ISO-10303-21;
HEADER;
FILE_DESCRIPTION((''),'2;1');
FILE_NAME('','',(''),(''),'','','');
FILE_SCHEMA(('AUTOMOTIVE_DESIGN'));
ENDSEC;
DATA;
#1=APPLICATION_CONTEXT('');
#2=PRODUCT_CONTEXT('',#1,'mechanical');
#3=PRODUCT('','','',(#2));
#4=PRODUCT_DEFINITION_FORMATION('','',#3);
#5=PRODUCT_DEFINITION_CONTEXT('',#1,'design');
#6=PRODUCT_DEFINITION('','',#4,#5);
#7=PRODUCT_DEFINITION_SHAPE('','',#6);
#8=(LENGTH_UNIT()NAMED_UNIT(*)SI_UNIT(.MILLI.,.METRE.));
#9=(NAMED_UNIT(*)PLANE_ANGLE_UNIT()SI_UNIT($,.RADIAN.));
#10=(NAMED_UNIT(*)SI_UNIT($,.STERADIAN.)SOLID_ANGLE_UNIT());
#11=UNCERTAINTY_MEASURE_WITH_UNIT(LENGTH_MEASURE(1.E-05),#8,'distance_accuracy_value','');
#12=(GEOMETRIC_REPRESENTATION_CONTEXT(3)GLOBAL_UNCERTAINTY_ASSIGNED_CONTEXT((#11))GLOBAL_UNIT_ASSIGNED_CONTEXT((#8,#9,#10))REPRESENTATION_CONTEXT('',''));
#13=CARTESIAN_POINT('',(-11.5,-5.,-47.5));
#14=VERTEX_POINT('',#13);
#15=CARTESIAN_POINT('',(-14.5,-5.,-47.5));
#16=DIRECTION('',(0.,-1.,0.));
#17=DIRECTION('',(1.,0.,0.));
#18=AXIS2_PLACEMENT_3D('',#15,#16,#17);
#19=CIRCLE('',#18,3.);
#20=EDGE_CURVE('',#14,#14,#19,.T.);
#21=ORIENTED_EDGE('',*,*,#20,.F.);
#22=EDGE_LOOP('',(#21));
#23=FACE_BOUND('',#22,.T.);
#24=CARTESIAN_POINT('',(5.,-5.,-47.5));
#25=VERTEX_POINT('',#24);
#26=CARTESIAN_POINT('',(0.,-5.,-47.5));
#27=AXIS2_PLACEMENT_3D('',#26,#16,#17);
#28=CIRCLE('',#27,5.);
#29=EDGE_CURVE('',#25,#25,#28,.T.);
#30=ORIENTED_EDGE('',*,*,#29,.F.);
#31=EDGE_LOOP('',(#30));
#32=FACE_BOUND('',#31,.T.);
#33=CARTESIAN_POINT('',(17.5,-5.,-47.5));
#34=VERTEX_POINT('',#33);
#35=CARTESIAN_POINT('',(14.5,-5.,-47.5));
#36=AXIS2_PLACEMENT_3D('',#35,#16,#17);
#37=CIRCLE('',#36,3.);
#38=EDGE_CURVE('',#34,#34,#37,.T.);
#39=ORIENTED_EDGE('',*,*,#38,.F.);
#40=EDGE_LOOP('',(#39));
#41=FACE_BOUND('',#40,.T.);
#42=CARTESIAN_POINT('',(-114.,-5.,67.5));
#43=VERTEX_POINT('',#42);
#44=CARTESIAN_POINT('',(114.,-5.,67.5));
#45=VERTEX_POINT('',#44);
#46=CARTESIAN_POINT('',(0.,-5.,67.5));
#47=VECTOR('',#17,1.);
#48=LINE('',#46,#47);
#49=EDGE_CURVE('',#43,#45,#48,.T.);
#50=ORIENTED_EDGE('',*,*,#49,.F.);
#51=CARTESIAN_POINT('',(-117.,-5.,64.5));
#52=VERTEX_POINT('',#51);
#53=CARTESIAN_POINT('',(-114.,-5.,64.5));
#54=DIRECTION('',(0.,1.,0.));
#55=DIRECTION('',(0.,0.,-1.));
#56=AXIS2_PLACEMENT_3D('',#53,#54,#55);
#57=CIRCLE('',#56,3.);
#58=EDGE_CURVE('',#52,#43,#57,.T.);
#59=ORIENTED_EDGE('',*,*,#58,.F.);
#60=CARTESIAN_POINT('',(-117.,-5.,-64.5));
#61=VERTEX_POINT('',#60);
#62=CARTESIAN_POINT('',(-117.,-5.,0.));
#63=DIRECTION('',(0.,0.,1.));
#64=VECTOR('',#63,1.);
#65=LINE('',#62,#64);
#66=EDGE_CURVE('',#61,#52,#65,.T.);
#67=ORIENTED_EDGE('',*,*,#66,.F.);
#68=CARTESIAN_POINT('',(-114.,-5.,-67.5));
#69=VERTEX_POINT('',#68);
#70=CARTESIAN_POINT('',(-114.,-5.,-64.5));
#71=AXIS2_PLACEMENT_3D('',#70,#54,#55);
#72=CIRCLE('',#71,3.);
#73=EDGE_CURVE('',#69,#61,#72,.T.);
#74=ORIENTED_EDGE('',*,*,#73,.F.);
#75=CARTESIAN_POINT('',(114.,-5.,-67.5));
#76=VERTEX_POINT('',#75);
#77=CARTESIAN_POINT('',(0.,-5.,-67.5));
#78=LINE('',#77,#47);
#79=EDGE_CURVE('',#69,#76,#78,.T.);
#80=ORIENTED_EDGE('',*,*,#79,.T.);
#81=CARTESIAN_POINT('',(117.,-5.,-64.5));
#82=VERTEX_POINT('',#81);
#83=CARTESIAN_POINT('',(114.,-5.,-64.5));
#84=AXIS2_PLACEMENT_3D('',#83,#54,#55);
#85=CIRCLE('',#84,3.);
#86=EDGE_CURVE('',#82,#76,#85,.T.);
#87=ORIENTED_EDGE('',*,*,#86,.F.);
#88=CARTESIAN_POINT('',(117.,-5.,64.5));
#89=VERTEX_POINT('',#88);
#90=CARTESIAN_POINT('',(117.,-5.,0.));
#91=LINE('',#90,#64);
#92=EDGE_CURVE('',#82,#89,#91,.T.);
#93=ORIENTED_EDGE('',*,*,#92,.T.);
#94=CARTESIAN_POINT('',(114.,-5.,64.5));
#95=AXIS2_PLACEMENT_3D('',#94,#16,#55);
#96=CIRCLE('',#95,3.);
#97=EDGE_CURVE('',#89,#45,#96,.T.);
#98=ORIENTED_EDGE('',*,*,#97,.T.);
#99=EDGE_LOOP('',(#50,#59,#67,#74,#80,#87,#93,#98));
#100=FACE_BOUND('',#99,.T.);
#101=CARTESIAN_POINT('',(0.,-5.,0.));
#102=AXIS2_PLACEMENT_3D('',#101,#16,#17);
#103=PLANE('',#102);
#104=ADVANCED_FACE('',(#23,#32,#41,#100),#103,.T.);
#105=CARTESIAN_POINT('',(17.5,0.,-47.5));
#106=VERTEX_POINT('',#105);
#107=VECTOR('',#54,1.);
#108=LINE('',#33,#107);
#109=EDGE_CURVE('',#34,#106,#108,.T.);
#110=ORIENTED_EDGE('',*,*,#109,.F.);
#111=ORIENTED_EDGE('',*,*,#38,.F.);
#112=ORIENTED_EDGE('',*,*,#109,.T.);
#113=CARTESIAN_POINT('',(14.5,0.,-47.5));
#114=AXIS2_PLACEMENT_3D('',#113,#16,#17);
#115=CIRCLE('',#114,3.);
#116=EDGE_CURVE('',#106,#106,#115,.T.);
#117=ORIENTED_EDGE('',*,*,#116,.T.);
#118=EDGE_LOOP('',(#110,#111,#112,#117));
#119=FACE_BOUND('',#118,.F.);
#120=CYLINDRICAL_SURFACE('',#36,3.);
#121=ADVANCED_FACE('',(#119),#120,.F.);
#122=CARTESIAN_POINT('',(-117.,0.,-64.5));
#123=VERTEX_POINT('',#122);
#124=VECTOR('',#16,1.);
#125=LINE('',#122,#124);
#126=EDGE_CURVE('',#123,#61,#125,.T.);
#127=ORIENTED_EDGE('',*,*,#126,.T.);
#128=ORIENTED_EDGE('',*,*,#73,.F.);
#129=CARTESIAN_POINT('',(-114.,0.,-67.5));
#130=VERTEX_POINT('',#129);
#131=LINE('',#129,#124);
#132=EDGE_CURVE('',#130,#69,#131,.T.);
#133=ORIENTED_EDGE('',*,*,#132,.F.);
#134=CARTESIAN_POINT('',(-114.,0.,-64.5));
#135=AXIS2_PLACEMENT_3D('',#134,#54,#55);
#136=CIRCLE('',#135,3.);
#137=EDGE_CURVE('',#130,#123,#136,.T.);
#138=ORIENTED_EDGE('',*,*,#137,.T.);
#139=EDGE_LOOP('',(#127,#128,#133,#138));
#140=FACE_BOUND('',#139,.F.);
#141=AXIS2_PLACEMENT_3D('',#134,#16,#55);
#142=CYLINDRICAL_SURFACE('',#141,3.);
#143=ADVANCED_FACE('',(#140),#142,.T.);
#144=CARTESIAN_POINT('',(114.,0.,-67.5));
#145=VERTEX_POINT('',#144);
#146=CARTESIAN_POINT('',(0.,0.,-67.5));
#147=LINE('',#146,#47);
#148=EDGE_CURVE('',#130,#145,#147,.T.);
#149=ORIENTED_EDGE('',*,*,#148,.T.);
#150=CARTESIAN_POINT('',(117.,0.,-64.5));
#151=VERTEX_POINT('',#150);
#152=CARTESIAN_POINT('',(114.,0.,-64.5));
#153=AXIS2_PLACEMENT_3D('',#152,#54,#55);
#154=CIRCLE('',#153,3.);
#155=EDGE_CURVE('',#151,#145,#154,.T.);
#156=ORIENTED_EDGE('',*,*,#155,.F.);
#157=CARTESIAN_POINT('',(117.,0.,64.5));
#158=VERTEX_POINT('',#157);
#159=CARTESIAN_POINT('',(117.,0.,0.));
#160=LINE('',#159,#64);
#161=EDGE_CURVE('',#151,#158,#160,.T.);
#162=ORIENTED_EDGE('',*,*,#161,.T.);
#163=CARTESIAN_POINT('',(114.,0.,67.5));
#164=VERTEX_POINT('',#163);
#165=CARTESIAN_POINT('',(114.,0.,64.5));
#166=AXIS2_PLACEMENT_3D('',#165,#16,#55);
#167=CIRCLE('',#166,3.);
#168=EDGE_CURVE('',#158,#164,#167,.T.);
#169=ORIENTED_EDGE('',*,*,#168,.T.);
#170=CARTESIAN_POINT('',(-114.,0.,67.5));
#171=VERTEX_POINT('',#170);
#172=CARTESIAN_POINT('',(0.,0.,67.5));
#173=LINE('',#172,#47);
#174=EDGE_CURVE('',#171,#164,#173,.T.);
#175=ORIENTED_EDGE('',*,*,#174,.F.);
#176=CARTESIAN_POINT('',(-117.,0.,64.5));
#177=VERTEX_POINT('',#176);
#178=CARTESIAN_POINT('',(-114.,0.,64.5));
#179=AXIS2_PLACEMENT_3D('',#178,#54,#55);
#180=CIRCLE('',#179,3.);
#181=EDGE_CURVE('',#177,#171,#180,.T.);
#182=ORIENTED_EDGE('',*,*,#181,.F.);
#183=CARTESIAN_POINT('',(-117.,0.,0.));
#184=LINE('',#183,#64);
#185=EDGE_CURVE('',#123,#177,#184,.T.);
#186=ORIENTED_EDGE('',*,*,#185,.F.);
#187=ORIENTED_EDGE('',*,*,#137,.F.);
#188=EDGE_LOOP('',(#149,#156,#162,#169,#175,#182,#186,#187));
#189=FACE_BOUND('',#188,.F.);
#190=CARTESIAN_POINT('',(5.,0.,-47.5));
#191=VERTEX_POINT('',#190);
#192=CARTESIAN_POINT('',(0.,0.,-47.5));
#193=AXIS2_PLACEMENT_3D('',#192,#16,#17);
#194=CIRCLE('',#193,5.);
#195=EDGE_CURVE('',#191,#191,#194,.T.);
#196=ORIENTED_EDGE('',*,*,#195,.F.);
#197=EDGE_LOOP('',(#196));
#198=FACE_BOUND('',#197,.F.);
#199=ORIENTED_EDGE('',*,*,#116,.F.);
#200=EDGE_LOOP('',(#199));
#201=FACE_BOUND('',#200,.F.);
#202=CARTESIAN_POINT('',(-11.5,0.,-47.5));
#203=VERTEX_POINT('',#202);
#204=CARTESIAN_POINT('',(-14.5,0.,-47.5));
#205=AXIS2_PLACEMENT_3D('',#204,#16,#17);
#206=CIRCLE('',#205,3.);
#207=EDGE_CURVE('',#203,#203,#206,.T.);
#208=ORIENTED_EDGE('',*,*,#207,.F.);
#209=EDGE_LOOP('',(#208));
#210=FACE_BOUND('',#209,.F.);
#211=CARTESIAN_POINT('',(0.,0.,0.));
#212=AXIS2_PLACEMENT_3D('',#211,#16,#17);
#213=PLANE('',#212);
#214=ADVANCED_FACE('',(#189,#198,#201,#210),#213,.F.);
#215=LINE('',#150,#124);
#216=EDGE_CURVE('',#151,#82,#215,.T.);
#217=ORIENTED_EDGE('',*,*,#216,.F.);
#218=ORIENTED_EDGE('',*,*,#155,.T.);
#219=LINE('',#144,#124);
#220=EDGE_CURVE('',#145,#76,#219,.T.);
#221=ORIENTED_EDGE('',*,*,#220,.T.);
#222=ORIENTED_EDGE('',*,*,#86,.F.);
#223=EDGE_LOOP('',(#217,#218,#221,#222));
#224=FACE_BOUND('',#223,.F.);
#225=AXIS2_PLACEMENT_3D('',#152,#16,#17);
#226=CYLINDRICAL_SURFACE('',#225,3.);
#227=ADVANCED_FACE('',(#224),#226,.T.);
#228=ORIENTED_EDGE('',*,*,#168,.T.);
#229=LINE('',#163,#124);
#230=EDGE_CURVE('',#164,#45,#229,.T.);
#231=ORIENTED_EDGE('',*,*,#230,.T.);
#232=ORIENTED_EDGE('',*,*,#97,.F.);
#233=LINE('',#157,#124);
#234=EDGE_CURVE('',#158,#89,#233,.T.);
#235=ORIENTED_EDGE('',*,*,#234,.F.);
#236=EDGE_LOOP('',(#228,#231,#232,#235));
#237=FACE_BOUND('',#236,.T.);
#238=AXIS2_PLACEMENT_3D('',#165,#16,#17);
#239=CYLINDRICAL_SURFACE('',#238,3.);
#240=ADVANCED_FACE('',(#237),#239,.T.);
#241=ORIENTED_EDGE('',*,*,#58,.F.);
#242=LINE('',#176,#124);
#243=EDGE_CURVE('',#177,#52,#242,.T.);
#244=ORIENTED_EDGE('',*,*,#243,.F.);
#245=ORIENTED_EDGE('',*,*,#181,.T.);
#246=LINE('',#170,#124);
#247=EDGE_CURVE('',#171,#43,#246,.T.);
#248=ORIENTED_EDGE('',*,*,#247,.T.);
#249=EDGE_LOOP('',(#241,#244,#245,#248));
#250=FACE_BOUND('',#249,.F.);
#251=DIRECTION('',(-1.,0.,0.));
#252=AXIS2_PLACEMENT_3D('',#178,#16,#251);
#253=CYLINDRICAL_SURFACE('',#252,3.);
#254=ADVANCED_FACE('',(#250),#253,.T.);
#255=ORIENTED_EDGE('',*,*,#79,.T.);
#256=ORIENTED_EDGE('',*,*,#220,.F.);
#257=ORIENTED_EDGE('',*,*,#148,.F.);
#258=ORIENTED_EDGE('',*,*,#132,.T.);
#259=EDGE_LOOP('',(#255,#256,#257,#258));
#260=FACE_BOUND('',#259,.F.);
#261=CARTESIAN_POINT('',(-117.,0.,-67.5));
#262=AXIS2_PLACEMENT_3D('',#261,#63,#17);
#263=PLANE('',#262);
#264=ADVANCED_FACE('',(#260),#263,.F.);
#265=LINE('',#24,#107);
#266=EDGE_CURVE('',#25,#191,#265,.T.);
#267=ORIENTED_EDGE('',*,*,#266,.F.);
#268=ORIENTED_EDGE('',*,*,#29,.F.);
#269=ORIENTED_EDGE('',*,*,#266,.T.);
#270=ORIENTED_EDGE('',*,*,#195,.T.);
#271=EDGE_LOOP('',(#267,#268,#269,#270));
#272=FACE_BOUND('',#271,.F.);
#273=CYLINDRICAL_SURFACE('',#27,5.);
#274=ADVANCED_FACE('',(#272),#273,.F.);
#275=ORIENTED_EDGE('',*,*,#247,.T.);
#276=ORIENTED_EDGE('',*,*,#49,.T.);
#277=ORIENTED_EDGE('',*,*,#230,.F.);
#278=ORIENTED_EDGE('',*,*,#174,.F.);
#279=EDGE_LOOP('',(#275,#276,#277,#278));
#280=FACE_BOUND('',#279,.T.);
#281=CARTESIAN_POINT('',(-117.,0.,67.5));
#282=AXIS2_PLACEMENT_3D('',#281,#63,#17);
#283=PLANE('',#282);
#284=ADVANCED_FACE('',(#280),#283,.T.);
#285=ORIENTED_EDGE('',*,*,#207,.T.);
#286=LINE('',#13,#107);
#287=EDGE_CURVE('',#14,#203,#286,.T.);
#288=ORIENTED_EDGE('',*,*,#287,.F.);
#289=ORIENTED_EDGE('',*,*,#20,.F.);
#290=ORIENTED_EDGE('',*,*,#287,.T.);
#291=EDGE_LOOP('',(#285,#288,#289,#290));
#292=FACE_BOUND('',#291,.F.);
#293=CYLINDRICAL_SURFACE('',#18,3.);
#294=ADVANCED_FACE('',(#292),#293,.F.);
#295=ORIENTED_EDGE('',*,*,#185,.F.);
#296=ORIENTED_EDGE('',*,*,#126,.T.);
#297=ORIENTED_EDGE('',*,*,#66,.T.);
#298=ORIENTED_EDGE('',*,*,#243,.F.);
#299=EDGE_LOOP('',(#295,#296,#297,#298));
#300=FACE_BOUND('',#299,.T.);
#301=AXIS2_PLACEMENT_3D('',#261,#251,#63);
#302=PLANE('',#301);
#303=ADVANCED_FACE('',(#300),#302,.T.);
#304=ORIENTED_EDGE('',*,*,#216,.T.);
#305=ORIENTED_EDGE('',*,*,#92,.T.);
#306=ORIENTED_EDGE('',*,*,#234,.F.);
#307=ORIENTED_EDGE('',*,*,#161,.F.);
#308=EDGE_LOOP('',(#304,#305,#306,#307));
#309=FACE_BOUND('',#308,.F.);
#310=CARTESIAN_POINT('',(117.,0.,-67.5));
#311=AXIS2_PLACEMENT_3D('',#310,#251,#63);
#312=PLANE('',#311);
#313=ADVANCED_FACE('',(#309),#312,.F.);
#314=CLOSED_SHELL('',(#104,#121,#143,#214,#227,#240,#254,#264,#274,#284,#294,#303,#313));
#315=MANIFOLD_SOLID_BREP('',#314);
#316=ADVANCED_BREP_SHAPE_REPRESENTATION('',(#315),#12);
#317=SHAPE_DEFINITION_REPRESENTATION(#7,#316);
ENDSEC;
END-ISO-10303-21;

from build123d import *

# Parameters (mm, degrees)
SKETCH_W      = 234
SKETCH_H      = 135
PAD_DEPTH     = 5
FILLET_R      = 3
FILLET001_R   = 3
FILLET002_R   = 3
FILLET003_R   = 3
SKETCH001_R   = 3
SKETCH001_R_2 = 5
POCKET_DEPTH  = 5.001


with BuildPart() as part:
    # Sketch → Pad (new body)
    with BuildSketch(Plane.XZ):
        Rectangle(SKETCH_W, SKETCH_H)
    extrude(amount=PAD_DEPTH)

    # Fillet
    fillet_edges = [part.edges().sort_by_distance(p)[0] for p in [
        (117, -2.5, 67.5),
    ]]
    fillet(fillet_edges, radius=FILLET_R)

    # Fillet001
    fillet001_edges = [part.edges().sort_by_distance(p)[0] for p in [
        (117, -2.5, -67.5),
    ]]
    fillet(fillet001_edges, radius=FILLET001_R)

    # Fillet002
    fillet002_edges = [part.edges().sort_by_distance(p)[0] for p in [
        (-117, -2.5, -67.5),
    ]]
    fillet(fillet002_edges, radius=FILLET002_R)

    # Fillet003
    fillet003_edges = [part.edges().sort_by_distance(p)[0] for p in [
        (-117, -2.5, 67.5),
    ]]
    fillet(fillet003_edges, radius=FILLET003_R)

    # Sketch001 (on Face10 of Fillet003) → Pocket (cut, through all)
    with BuildSketch(Plane.XZ.offset(5)):
        with Locations((-14.5, -47.5)):
            Circle(SKETCH001_R)
        with Locations((0, -47.5)):
            Circle(SKETCH001_R_2)
        with Locations((14.5, -47.5)):
            Circle(SKETCH001_R)
    extrude(amount=-POCKET_DEPTH, mode=Mode.SUBTRACT)


solid = part.part
